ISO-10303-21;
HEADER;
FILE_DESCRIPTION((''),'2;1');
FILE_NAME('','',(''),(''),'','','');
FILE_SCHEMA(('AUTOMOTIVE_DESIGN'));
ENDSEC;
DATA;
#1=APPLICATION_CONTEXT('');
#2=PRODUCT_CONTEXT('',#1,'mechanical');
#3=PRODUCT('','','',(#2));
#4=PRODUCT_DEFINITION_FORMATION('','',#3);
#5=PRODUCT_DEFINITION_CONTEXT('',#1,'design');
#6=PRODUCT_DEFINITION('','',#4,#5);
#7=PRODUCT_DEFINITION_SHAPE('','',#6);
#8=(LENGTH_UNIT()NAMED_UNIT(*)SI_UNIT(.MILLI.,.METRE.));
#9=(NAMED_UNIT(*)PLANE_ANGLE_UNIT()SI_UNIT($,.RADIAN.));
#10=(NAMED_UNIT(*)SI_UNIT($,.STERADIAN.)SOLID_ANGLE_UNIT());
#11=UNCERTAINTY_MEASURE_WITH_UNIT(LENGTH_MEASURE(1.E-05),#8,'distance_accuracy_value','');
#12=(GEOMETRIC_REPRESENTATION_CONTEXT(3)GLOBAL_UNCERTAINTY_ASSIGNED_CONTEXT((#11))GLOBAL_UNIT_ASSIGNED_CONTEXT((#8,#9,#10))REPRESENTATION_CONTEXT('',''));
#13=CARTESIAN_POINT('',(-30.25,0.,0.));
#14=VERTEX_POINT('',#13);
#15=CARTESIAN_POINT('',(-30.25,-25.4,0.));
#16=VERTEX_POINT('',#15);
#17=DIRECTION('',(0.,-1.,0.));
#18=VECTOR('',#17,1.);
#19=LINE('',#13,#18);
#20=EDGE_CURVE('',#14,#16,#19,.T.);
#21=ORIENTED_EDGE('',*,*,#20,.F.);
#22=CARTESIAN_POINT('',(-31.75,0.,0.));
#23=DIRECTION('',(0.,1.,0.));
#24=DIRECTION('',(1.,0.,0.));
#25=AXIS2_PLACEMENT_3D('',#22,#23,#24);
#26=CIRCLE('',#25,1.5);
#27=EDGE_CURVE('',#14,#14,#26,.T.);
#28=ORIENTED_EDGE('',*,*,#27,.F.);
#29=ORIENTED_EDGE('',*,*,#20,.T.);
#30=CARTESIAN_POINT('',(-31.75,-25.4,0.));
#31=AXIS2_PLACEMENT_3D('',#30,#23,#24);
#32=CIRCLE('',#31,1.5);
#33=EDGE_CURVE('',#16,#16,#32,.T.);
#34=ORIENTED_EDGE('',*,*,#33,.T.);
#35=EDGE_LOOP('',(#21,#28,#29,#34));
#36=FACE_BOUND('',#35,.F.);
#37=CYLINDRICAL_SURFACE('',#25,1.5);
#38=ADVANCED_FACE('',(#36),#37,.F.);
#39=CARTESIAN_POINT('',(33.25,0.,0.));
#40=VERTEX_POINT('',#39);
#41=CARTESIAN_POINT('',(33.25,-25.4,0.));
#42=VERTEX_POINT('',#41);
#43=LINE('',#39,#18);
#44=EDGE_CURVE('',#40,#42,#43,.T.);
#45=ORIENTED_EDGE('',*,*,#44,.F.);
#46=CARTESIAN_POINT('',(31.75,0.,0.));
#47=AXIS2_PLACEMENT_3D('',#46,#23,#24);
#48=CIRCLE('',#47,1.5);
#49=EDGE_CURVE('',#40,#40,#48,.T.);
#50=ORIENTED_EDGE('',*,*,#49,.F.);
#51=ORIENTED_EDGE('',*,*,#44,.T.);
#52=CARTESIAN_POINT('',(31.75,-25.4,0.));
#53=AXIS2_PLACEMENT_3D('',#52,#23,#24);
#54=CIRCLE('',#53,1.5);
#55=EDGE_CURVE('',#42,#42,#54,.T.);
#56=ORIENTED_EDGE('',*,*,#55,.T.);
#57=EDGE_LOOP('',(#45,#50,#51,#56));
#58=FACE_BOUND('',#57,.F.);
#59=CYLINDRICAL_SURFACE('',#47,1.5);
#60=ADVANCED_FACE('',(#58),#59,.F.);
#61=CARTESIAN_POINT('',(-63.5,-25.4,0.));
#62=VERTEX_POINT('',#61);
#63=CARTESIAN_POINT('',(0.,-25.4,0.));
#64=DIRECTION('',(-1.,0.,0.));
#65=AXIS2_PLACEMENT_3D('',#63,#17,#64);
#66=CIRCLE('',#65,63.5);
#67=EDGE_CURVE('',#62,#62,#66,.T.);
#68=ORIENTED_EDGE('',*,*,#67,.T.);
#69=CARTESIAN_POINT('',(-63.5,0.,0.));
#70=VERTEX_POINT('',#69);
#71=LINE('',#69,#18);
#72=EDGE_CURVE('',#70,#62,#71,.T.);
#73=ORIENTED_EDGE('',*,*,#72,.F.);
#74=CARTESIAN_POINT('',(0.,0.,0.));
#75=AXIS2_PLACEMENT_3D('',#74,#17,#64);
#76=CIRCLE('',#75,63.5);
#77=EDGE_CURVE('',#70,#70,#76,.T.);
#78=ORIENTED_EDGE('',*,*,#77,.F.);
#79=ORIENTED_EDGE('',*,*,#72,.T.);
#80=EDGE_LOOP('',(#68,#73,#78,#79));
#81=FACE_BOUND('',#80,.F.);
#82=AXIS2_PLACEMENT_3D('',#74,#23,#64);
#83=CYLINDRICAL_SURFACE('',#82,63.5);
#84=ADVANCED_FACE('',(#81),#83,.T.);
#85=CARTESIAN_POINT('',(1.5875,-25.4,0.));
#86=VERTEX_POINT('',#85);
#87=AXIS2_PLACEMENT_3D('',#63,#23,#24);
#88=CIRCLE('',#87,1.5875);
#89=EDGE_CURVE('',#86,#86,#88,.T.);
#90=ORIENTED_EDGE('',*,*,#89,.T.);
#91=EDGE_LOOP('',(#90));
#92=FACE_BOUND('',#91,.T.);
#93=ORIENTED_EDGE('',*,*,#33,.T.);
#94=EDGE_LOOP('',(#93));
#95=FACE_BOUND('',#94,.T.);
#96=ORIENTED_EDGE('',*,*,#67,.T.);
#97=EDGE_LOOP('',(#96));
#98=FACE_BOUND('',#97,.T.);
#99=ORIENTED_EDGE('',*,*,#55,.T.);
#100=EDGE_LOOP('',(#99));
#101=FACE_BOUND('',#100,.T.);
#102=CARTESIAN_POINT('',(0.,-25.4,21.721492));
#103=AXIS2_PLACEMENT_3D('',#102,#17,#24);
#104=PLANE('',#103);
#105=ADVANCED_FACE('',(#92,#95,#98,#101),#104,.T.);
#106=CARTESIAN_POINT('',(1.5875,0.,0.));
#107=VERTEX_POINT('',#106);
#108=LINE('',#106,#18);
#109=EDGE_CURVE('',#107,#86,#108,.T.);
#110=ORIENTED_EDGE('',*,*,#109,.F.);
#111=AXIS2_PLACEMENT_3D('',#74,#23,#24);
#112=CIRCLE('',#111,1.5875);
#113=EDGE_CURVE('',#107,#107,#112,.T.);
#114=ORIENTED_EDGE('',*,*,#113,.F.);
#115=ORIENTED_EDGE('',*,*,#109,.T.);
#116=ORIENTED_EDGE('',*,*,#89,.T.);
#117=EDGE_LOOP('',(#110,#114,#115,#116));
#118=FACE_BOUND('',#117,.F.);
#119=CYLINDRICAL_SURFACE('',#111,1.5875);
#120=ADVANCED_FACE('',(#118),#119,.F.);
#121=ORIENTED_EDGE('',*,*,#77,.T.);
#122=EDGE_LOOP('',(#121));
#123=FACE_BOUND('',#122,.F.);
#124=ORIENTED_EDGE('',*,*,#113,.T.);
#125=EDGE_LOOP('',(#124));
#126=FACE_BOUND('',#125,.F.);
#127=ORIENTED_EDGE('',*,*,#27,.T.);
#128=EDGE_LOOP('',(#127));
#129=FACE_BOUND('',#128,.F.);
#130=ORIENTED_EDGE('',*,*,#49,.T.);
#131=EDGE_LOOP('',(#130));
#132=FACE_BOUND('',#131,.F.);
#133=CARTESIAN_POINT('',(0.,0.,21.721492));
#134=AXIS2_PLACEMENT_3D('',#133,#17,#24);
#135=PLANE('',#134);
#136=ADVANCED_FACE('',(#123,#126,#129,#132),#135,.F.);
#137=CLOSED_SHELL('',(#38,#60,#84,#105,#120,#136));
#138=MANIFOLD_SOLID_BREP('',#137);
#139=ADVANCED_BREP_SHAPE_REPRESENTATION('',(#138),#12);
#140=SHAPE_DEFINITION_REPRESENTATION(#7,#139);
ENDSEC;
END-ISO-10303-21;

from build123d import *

# Parameters (mm, degrees)
F1_DEPTH = 25.4


with BuildPart() as f1:
    # F0 (on Front) → F1 (new body)
    with BuildSketch(Plane.XZ):
        with BuildLine():
            Line((33.25, 0), (63.5, 0))
            ThreePointArc((63.5, 0), (0, 63.5), (-63.5, 0))
            Line((-63.5, 0), (-33.25, 0))
            ThreePointArc((-33.25, 0), (-31.75, 1.5), (-30.25, 0))
            Line((-30.25, 0), (-1.5875, 0))
            ThreePointArc((-1.5875, 0), (0, 1.5875), (1.5875, 0))
            Line((1.5875, 0), (30.25, 0))
            ThreePointArc((30.25, 0), (31.75, 1.5), (33.25, 0))
        make_face()
        with BuildLine():
            ThreePointArc((-63.5, 0), (0, -63.5), (63.5, 0))
            Line((63.5, 0), (33.25, 0))
            ThreePointArc((33.25, 0), (31.75, -1.5), (30.25, 0))
            Line((30.25, 0), (1.5875, 0))
            ThreePointArc((1.5875, 0), (0, -1.5875), (-1.5875, 0))
            Line((-1.5875, 0), (-30.25, 0))
            ThreePointArc((-30.25, 0), (-31.75, -1.5), (-33.25, 0))
            Line((-33.25, 0), (-63.5, 0))
        make_face()
    extrude(amount=F1_DEPTH)


solid = f1.part
